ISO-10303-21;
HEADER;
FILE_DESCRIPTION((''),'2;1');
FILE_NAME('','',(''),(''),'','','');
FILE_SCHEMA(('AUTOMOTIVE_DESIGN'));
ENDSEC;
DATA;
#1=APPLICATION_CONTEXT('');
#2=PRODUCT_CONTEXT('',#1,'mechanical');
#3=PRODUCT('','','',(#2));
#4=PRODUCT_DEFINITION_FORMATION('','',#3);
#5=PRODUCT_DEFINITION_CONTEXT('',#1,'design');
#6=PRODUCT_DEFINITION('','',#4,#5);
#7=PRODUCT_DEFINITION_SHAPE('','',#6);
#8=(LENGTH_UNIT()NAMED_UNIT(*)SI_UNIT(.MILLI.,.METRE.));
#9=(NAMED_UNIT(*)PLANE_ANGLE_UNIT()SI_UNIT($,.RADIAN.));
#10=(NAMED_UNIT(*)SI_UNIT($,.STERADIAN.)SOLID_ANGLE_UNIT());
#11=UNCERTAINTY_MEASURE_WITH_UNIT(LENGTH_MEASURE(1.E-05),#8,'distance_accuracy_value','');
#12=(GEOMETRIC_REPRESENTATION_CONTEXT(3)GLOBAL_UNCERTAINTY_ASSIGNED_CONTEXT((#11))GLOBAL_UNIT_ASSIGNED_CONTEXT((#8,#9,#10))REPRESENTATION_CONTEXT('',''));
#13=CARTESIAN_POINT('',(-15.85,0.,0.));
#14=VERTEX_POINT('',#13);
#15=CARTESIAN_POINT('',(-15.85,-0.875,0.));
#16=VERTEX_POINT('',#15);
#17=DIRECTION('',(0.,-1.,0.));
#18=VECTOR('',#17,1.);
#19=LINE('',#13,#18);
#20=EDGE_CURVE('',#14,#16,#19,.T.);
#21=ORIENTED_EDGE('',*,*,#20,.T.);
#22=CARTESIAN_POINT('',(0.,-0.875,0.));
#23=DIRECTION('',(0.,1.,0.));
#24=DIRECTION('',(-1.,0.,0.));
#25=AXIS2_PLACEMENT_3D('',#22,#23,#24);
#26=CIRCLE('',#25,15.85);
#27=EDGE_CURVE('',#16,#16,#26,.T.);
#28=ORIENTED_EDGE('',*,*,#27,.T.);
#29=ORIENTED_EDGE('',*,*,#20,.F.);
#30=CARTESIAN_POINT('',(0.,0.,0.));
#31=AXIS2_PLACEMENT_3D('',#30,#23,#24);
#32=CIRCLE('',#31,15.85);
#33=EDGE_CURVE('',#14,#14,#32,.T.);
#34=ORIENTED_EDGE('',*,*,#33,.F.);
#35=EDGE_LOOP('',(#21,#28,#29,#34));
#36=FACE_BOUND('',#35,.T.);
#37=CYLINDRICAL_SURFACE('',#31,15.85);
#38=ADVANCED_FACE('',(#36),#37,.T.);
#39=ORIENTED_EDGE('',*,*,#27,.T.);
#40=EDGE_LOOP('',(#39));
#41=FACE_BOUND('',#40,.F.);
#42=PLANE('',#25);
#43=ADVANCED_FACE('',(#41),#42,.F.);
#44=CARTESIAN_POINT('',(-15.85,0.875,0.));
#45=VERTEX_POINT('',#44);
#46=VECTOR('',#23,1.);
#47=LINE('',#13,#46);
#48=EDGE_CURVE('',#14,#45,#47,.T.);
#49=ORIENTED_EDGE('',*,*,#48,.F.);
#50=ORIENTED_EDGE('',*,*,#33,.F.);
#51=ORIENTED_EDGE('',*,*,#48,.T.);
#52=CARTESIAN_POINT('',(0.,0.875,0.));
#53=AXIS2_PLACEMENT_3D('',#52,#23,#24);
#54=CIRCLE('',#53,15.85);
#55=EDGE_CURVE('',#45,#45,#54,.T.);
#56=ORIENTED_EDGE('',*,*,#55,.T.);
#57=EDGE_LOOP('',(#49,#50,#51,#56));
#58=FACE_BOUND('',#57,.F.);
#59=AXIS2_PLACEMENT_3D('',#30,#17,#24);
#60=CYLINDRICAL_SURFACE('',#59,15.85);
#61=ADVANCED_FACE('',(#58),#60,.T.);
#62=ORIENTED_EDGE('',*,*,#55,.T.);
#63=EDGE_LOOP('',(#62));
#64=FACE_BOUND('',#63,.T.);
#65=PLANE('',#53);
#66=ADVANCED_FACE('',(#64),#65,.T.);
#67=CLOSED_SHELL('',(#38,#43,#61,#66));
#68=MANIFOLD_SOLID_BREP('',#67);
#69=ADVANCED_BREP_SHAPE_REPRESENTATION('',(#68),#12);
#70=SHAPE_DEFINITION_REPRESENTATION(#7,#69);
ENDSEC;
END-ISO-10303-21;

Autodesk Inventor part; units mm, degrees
ref_plane "YZ Plane" through (0, 0, 0) normal (1, 0, 0) x (0, 1, 0)
ref_plane "XZ Plane" through (0, 0, 0) normal (0, 1, 0) x (-1, 0, 0)
ref_plane "XY Plane" through (0, 0, 0) normal (0, 0, 1) x (1, 0, 0)
sketch "Sketch1" plane through (0, 0, 0) normal (0, 1, 0) x (-1, 0, 0)
  circle A0 centre (0, 0) radius 15.85
  dimension "d0" = 31.7
extrude "Extrusion1" add sketch "Sketch1" along normal mid plane 1.75
equation "\"d0\" = NekroDiameter"
equation "\"NekroDiameter\" = 31.7"
properties part number "FactionSpecial_Nekro_Rifts_Single" material "Paper"
